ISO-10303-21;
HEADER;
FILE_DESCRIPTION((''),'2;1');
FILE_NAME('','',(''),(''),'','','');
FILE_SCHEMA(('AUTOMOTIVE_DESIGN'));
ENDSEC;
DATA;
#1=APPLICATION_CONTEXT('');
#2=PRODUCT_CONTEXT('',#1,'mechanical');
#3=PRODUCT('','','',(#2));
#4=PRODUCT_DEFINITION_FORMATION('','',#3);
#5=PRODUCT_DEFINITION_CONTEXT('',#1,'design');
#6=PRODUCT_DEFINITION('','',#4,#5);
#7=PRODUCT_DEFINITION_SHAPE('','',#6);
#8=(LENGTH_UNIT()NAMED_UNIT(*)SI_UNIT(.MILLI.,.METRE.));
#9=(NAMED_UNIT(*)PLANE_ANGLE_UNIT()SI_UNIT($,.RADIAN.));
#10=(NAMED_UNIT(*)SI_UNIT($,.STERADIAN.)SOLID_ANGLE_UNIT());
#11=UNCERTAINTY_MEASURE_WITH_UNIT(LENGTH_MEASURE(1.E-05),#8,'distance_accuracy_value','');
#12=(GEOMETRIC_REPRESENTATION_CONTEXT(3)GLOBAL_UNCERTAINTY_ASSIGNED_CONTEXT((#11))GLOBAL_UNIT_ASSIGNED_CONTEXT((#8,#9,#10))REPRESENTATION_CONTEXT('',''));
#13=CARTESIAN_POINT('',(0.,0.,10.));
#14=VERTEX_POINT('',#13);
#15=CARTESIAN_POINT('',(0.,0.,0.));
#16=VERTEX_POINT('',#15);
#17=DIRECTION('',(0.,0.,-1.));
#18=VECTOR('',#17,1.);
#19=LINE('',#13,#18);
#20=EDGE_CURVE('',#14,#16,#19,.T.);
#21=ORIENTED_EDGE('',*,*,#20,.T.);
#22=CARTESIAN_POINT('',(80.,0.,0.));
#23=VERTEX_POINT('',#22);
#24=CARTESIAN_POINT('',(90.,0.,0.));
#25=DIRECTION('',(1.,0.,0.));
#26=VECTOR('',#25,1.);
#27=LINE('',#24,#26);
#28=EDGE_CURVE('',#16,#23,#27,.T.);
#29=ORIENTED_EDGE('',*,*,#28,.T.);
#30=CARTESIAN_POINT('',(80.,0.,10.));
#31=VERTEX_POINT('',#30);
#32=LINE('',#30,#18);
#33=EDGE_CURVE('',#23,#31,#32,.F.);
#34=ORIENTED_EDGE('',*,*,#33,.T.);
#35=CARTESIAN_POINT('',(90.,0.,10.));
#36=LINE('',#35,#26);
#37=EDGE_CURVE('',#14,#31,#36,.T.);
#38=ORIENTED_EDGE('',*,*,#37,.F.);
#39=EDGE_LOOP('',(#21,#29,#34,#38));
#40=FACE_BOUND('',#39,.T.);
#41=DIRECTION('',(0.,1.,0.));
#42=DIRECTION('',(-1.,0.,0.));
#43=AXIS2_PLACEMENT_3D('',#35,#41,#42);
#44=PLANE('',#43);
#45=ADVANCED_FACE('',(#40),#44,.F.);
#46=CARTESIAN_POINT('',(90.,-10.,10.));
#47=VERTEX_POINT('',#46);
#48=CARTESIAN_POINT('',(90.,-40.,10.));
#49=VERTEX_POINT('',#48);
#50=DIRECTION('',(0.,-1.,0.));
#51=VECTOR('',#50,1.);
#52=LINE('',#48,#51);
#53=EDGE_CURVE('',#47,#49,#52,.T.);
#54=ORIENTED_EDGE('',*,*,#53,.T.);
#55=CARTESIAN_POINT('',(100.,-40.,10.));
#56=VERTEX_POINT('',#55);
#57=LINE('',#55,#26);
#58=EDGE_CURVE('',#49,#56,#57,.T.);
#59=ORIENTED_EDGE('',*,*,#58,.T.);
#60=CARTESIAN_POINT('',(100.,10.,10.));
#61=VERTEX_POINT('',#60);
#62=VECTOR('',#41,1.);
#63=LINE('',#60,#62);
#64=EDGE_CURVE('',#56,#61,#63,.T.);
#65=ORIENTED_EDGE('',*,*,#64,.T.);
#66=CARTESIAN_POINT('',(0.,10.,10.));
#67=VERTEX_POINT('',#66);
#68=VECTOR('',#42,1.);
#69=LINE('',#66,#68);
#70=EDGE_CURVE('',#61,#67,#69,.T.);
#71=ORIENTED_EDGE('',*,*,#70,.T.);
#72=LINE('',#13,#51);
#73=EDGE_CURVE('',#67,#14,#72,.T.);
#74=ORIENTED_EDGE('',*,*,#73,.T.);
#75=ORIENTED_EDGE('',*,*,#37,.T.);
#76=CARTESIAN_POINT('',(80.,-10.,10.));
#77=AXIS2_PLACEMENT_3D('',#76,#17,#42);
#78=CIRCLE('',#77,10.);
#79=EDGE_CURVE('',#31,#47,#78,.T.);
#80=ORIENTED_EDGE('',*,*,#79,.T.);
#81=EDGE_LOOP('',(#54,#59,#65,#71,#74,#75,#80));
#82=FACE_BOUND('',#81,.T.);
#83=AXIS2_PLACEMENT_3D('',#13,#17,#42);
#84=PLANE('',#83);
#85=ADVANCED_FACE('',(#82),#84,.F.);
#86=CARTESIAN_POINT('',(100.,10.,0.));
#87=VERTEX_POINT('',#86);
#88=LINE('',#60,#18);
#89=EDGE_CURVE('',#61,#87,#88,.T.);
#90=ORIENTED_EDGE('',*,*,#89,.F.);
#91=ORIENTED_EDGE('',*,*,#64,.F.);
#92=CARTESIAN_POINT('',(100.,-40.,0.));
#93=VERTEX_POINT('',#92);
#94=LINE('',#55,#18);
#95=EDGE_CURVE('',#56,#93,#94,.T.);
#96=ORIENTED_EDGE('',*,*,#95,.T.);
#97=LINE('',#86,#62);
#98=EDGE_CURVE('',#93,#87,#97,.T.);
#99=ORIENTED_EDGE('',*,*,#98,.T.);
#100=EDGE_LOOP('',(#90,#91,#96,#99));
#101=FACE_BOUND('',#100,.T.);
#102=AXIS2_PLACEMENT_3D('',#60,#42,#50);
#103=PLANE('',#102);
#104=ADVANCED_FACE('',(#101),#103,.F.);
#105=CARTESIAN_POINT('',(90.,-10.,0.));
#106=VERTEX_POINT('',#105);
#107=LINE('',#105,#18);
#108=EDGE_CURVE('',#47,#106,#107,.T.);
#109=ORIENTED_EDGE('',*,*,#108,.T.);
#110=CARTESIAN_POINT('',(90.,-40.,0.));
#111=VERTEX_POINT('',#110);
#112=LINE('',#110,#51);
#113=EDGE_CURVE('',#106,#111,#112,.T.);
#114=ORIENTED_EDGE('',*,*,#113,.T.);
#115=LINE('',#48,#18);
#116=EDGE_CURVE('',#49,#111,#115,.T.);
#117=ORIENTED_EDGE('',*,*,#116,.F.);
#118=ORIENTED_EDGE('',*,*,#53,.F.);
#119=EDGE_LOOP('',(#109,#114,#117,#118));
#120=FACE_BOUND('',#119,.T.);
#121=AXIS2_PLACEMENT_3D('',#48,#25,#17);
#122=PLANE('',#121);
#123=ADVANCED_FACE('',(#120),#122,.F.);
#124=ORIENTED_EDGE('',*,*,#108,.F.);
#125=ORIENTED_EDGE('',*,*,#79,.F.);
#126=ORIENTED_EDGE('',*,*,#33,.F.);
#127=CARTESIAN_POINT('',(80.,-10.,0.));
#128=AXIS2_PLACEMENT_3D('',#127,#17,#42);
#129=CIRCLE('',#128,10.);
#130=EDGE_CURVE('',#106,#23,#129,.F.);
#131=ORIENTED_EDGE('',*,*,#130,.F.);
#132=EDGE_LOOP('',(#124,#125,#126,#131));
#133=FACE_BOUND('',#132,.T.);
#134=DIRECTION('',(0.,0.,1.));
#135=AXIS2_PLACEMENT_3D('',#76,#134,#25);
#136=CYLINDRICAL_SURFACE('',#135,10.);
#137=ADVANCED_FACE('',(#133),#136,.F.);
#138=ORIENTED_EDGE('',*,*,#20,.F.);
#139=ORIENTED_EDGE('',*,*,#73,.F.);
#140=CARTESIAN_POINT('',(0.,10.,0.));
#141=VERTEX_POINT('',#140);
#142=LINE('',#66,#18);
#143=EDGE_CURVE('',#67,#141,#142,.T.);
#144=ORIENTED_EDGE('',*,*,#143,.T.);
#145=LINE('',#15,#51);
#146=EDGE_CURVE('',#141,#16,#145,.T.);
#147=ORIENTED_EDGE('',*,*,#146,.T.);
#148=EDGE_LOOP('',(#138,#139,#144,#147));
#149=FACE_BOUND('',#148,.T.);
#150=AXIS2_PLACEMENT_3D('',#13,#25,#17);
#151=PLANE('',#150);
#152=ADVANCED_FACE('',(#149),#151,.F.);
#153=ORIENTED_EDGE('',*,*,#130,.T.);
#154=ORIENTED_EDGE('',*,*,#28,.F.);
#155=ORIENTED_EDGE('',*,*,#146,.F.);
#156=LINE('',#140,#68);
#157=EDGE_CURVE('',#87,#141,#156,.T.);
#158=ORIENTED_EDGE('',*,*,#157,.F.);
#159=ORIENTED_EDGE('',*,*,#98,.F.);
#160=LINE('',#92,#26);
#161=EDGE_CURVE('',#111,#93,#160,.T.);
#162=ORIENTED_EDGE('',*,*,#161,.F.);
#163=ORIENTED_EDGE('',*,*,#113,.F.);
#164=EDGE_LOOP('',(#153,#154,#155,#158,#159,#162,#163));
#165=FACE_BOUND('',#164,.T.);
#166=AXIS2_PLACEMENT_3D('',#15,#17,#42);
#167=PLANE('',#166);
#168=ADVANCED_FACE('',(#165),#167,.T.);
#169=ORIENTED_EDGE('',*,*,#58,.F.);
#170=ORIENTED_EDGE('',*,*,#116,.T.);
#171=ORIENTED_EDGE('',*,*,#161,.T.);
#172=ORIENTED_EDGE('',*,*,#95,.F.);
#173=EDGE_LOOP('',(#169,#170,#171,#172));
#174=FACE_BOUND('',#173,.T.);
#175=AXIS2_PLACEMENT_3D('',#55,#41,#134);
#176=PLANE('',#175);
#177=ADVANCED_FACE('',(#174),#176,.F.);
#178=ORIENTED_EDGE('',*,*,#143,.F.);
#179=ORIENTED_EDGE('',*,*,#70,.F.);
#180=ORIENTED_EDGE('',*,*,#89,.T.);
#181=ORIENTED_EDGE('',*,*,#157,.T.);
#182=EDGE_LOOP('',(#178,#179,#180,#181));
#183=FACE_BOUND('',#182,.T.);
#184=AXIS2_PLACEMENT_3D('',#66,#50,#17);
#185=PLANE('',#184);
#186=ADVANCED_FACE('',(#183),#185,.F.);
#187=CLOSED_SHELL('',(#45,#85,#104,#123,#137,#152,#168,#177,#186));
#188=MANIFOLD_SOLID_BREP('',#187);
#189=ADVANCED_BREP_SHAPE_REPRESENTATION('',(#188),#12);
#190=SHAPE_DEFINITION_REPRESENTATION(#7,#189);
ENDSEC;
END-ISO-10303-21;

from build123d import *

# Parameters (mm, degrees)
BOSS_EXTRU_1_DEPTH = 10
CONG_1_R           = 10


with BuildPart() as part:
    # Esquisse1 → Boss.-Extru.1 (new body)
    with BuildSketch(Plane.XY):
        Polygon((0, 0), (0, 10), (100, 10), (100, -40), (90, -40), (90, 0), align=None)
    extrude(amount=BOSS_EXTRU_1_DEPTH)

    # Congé1
    cong_1_edges = [part.edges().sort_by_distance(p)[0] for p in [
        (90, 0, 5),
    ]]
    fillet(cong_1_edges, radius=CONG_1_R)


solid = part.part
